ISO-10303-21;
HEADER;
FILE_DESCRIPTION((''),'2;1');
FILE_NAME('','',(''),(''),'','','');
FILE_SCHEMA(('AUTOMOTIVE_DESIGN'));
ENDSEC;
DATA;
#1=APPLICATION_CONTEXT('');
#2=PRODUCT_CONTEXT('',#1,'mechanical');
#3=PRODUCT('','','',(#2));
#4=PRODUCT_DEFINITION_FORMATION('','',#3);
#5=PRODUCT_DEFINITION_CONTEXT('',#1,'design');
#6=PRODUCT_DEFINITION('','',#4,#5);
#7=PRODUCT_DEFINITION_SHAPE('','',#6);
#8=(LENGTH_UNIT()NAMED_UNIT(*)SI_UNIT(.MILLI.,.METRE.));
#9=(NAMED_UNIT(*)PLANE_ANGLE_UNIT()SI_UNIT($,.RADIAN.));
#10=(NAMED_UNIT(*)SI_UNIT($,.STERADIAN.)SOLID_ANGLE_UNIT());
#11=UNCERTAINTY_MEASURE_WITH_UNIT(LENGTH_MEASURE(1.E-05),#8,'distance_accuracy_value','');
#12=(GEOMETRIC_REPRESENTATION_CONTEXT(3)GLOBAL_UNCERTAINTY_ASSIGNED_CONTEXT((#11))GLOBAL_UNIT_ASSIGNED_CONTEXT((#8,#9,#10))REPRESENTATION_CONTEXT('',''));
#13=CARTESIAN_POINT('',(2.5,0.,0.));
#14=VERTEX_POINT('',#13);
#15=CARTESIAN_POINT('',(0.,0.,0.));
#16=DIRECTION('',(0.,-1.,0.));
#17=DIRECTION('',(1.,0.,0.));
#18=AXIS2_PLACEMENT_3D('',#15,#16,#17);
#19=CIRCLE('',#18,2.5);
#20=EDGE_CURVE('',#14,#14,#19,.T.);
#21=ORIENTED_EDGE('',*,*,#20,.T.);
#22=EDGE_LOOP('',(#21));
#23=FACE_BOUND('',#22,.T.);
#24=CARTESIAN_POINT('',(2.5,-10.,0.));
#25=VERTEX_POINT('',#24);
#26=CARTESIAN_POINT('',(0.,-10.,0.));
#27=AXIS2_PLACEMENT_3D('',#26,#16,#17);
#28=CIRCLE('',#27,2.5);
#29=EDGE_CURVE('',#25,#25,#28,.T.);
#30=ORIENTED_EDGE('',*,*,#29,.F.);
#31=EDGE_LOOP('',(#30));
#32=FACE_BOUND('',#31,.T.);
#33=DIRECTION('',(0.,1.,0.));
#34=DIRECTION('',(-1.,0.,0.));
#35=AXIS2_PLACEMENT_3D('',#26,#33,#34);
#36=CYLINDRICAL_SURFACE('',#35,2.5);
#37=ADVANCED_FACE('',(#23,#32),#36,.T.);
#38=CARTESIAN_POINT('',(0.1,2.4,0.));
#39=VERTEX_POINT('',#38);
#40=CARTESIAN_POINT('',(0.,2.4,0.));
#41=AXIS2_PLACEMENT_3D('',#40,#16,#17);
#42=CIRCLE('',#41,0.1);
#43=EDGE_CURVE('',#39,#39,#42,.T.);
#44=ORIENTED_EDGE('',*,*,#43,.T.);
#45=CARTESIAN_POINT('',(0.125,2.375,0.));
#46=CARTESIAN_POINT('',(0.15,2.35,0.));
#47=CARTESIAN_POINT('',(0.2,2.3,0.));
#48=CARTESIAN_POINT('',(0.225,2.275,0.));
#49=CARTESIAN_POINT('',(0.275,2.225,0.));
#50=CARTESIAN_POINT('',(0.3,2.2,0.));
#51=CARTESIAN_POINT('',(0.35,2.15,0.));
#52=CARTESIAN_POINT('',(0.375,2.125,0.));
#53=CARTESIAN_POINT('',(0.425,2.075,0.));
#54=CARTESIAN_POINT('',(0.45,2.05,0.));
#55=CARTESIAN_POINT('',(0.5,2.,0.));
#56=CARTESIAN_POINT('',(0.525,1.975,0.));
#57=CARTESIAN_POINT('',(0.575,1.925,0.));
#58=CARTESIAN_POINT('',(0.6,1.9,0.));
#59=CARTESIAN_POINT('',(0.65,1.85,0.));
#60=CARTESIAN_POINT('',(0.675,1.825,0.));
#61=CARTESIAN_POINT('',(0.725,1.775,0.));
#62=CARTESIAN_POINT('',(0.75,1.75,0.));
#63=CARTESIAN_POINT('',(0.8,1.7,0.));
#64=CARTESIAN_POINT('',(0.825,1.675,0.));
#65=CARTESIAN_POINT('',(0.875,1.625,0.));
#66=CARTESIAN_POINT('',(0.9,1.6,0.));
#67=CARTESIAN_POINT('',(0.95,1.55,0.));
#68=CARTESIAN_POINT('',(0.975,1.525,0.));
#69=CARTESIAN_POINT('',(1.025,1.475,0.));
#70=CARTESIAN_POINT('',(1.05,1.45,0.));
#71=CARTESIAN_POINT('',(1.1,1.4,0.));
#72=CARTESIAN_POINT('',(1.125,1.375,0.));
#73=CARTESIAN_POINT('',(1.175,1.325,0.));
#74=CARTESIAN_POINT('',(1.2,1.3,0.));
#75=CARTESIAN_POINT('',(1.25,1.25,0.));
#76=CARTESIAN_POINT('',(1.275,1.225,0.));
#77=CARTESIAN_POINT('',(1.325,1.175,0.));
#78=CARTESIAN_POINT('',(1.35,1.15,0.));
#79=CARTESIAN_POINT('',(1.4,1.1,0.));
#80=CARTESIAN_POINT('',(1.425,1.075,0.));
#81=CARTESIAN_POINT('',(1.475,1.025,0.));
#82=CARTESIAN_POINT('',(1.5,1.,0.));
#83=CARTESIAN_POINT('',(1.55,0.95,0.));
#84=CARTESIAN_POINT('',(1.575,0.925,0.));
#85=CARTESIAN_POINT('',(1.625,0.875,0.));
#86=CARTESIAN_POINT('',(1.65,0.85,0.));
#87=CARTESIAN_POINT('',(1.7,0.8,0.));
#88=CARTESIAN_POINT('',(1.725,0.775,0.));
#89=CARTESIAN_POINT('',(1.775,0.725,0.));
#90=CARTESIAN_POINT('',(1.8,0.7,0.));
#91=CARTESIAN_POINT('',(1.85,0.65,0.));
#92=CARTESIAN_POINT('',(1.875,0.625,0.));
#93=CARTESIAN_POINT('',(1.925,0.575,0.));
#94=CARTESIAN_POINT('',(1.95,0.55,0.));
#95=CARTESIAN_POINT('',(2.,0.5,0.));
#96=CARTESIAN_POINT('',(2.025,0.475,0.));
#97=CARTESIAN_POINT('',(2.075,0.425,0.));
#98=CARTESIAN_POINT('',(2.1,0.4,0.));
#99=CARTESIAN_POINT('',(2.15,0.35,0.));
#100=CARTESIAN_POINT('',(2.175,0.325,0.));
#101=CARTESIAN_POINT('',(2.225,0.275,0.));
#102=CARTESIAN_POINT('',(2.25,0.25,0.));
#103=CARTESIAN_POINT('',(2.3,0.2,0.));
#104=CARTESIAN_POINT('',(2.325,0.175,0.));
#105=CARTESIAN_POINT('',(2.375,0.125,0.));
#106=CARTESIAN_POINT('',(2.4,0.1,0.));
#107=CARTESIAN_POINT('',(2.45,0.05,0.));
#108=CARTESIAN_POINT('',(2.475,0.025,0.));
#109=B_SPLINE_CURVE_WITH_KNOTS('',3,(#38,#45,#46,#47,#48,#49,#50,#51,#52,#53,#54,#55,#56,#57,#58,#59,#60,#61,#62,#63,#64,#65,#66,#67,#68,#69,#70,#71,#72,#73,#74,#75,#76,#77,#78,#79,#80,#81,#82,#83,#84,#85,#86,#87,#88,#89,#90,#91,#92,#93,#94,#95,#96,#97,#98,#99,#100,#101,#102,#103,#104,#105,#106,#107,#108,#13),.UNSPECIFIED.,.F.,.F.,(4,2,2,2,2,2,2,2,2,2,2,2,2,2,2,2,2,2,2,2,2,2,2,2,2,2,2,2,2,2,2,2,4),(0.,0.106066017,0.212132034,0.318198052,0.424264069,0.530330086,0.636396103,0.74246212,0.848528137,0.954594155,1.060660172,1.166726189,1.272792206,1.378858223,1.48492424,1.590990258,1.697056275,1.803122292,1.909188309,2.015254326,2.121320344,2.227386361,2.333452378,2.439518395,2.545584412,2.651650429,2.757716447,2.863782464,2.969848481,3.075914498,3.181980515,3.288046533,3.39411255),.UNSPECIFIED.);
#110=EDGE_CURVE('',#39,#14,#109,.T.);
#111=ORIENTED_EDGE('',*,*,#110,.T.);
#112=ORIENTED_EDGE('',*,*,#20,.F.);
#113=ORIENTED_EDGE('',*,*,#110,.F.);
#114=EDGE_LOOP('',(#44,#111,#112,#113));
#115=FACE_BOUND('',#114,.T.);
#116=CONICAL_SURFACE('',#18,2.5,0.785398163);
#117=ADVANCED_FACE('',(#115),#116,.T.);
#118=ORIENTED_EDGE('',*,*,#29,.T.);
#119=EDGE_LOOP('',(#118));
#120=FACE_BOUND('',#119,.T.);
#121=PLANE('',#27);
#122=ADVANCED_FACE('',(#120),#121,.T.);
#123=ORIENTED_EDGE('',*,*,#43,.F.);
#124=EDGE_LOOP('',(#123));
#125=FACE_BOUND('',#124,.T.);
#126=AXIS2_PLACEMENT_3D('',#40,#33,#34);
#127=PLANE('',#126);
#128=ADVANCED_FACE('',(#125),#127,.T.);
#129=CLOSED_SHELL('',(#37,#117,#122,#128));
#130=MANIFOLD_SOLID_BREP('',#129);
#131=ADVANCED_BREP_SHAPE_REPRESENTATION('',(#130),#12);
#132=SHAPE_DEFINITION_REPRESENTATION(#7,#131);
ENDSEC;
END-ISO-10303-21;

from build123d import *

# Parameters (mm, degrees)
SKETCH2_R           = 2.5
BOSS_EXTRUDE1_DEPTH = 10


with BuildPart() as part:
    # Sketch1 → Revolve1 (revolve)
    with BuildSketch(Plane.XY):
        Polygon((2.5, 0), (0, 0), (0, 2.4), (0.1, 2.4), align=None)
    revolve(axis=Axis((0, -76.093098657, 0), (0, 1, 0)))

    # Sketch2 → Boss-Extrude1 (add)
    with BuildSketch(Plane.XZ):
        Circle(SKETCH2_R)
    extrude(amount=BOSS_EXTRUDE1_DEPTH)


solid = part.part
